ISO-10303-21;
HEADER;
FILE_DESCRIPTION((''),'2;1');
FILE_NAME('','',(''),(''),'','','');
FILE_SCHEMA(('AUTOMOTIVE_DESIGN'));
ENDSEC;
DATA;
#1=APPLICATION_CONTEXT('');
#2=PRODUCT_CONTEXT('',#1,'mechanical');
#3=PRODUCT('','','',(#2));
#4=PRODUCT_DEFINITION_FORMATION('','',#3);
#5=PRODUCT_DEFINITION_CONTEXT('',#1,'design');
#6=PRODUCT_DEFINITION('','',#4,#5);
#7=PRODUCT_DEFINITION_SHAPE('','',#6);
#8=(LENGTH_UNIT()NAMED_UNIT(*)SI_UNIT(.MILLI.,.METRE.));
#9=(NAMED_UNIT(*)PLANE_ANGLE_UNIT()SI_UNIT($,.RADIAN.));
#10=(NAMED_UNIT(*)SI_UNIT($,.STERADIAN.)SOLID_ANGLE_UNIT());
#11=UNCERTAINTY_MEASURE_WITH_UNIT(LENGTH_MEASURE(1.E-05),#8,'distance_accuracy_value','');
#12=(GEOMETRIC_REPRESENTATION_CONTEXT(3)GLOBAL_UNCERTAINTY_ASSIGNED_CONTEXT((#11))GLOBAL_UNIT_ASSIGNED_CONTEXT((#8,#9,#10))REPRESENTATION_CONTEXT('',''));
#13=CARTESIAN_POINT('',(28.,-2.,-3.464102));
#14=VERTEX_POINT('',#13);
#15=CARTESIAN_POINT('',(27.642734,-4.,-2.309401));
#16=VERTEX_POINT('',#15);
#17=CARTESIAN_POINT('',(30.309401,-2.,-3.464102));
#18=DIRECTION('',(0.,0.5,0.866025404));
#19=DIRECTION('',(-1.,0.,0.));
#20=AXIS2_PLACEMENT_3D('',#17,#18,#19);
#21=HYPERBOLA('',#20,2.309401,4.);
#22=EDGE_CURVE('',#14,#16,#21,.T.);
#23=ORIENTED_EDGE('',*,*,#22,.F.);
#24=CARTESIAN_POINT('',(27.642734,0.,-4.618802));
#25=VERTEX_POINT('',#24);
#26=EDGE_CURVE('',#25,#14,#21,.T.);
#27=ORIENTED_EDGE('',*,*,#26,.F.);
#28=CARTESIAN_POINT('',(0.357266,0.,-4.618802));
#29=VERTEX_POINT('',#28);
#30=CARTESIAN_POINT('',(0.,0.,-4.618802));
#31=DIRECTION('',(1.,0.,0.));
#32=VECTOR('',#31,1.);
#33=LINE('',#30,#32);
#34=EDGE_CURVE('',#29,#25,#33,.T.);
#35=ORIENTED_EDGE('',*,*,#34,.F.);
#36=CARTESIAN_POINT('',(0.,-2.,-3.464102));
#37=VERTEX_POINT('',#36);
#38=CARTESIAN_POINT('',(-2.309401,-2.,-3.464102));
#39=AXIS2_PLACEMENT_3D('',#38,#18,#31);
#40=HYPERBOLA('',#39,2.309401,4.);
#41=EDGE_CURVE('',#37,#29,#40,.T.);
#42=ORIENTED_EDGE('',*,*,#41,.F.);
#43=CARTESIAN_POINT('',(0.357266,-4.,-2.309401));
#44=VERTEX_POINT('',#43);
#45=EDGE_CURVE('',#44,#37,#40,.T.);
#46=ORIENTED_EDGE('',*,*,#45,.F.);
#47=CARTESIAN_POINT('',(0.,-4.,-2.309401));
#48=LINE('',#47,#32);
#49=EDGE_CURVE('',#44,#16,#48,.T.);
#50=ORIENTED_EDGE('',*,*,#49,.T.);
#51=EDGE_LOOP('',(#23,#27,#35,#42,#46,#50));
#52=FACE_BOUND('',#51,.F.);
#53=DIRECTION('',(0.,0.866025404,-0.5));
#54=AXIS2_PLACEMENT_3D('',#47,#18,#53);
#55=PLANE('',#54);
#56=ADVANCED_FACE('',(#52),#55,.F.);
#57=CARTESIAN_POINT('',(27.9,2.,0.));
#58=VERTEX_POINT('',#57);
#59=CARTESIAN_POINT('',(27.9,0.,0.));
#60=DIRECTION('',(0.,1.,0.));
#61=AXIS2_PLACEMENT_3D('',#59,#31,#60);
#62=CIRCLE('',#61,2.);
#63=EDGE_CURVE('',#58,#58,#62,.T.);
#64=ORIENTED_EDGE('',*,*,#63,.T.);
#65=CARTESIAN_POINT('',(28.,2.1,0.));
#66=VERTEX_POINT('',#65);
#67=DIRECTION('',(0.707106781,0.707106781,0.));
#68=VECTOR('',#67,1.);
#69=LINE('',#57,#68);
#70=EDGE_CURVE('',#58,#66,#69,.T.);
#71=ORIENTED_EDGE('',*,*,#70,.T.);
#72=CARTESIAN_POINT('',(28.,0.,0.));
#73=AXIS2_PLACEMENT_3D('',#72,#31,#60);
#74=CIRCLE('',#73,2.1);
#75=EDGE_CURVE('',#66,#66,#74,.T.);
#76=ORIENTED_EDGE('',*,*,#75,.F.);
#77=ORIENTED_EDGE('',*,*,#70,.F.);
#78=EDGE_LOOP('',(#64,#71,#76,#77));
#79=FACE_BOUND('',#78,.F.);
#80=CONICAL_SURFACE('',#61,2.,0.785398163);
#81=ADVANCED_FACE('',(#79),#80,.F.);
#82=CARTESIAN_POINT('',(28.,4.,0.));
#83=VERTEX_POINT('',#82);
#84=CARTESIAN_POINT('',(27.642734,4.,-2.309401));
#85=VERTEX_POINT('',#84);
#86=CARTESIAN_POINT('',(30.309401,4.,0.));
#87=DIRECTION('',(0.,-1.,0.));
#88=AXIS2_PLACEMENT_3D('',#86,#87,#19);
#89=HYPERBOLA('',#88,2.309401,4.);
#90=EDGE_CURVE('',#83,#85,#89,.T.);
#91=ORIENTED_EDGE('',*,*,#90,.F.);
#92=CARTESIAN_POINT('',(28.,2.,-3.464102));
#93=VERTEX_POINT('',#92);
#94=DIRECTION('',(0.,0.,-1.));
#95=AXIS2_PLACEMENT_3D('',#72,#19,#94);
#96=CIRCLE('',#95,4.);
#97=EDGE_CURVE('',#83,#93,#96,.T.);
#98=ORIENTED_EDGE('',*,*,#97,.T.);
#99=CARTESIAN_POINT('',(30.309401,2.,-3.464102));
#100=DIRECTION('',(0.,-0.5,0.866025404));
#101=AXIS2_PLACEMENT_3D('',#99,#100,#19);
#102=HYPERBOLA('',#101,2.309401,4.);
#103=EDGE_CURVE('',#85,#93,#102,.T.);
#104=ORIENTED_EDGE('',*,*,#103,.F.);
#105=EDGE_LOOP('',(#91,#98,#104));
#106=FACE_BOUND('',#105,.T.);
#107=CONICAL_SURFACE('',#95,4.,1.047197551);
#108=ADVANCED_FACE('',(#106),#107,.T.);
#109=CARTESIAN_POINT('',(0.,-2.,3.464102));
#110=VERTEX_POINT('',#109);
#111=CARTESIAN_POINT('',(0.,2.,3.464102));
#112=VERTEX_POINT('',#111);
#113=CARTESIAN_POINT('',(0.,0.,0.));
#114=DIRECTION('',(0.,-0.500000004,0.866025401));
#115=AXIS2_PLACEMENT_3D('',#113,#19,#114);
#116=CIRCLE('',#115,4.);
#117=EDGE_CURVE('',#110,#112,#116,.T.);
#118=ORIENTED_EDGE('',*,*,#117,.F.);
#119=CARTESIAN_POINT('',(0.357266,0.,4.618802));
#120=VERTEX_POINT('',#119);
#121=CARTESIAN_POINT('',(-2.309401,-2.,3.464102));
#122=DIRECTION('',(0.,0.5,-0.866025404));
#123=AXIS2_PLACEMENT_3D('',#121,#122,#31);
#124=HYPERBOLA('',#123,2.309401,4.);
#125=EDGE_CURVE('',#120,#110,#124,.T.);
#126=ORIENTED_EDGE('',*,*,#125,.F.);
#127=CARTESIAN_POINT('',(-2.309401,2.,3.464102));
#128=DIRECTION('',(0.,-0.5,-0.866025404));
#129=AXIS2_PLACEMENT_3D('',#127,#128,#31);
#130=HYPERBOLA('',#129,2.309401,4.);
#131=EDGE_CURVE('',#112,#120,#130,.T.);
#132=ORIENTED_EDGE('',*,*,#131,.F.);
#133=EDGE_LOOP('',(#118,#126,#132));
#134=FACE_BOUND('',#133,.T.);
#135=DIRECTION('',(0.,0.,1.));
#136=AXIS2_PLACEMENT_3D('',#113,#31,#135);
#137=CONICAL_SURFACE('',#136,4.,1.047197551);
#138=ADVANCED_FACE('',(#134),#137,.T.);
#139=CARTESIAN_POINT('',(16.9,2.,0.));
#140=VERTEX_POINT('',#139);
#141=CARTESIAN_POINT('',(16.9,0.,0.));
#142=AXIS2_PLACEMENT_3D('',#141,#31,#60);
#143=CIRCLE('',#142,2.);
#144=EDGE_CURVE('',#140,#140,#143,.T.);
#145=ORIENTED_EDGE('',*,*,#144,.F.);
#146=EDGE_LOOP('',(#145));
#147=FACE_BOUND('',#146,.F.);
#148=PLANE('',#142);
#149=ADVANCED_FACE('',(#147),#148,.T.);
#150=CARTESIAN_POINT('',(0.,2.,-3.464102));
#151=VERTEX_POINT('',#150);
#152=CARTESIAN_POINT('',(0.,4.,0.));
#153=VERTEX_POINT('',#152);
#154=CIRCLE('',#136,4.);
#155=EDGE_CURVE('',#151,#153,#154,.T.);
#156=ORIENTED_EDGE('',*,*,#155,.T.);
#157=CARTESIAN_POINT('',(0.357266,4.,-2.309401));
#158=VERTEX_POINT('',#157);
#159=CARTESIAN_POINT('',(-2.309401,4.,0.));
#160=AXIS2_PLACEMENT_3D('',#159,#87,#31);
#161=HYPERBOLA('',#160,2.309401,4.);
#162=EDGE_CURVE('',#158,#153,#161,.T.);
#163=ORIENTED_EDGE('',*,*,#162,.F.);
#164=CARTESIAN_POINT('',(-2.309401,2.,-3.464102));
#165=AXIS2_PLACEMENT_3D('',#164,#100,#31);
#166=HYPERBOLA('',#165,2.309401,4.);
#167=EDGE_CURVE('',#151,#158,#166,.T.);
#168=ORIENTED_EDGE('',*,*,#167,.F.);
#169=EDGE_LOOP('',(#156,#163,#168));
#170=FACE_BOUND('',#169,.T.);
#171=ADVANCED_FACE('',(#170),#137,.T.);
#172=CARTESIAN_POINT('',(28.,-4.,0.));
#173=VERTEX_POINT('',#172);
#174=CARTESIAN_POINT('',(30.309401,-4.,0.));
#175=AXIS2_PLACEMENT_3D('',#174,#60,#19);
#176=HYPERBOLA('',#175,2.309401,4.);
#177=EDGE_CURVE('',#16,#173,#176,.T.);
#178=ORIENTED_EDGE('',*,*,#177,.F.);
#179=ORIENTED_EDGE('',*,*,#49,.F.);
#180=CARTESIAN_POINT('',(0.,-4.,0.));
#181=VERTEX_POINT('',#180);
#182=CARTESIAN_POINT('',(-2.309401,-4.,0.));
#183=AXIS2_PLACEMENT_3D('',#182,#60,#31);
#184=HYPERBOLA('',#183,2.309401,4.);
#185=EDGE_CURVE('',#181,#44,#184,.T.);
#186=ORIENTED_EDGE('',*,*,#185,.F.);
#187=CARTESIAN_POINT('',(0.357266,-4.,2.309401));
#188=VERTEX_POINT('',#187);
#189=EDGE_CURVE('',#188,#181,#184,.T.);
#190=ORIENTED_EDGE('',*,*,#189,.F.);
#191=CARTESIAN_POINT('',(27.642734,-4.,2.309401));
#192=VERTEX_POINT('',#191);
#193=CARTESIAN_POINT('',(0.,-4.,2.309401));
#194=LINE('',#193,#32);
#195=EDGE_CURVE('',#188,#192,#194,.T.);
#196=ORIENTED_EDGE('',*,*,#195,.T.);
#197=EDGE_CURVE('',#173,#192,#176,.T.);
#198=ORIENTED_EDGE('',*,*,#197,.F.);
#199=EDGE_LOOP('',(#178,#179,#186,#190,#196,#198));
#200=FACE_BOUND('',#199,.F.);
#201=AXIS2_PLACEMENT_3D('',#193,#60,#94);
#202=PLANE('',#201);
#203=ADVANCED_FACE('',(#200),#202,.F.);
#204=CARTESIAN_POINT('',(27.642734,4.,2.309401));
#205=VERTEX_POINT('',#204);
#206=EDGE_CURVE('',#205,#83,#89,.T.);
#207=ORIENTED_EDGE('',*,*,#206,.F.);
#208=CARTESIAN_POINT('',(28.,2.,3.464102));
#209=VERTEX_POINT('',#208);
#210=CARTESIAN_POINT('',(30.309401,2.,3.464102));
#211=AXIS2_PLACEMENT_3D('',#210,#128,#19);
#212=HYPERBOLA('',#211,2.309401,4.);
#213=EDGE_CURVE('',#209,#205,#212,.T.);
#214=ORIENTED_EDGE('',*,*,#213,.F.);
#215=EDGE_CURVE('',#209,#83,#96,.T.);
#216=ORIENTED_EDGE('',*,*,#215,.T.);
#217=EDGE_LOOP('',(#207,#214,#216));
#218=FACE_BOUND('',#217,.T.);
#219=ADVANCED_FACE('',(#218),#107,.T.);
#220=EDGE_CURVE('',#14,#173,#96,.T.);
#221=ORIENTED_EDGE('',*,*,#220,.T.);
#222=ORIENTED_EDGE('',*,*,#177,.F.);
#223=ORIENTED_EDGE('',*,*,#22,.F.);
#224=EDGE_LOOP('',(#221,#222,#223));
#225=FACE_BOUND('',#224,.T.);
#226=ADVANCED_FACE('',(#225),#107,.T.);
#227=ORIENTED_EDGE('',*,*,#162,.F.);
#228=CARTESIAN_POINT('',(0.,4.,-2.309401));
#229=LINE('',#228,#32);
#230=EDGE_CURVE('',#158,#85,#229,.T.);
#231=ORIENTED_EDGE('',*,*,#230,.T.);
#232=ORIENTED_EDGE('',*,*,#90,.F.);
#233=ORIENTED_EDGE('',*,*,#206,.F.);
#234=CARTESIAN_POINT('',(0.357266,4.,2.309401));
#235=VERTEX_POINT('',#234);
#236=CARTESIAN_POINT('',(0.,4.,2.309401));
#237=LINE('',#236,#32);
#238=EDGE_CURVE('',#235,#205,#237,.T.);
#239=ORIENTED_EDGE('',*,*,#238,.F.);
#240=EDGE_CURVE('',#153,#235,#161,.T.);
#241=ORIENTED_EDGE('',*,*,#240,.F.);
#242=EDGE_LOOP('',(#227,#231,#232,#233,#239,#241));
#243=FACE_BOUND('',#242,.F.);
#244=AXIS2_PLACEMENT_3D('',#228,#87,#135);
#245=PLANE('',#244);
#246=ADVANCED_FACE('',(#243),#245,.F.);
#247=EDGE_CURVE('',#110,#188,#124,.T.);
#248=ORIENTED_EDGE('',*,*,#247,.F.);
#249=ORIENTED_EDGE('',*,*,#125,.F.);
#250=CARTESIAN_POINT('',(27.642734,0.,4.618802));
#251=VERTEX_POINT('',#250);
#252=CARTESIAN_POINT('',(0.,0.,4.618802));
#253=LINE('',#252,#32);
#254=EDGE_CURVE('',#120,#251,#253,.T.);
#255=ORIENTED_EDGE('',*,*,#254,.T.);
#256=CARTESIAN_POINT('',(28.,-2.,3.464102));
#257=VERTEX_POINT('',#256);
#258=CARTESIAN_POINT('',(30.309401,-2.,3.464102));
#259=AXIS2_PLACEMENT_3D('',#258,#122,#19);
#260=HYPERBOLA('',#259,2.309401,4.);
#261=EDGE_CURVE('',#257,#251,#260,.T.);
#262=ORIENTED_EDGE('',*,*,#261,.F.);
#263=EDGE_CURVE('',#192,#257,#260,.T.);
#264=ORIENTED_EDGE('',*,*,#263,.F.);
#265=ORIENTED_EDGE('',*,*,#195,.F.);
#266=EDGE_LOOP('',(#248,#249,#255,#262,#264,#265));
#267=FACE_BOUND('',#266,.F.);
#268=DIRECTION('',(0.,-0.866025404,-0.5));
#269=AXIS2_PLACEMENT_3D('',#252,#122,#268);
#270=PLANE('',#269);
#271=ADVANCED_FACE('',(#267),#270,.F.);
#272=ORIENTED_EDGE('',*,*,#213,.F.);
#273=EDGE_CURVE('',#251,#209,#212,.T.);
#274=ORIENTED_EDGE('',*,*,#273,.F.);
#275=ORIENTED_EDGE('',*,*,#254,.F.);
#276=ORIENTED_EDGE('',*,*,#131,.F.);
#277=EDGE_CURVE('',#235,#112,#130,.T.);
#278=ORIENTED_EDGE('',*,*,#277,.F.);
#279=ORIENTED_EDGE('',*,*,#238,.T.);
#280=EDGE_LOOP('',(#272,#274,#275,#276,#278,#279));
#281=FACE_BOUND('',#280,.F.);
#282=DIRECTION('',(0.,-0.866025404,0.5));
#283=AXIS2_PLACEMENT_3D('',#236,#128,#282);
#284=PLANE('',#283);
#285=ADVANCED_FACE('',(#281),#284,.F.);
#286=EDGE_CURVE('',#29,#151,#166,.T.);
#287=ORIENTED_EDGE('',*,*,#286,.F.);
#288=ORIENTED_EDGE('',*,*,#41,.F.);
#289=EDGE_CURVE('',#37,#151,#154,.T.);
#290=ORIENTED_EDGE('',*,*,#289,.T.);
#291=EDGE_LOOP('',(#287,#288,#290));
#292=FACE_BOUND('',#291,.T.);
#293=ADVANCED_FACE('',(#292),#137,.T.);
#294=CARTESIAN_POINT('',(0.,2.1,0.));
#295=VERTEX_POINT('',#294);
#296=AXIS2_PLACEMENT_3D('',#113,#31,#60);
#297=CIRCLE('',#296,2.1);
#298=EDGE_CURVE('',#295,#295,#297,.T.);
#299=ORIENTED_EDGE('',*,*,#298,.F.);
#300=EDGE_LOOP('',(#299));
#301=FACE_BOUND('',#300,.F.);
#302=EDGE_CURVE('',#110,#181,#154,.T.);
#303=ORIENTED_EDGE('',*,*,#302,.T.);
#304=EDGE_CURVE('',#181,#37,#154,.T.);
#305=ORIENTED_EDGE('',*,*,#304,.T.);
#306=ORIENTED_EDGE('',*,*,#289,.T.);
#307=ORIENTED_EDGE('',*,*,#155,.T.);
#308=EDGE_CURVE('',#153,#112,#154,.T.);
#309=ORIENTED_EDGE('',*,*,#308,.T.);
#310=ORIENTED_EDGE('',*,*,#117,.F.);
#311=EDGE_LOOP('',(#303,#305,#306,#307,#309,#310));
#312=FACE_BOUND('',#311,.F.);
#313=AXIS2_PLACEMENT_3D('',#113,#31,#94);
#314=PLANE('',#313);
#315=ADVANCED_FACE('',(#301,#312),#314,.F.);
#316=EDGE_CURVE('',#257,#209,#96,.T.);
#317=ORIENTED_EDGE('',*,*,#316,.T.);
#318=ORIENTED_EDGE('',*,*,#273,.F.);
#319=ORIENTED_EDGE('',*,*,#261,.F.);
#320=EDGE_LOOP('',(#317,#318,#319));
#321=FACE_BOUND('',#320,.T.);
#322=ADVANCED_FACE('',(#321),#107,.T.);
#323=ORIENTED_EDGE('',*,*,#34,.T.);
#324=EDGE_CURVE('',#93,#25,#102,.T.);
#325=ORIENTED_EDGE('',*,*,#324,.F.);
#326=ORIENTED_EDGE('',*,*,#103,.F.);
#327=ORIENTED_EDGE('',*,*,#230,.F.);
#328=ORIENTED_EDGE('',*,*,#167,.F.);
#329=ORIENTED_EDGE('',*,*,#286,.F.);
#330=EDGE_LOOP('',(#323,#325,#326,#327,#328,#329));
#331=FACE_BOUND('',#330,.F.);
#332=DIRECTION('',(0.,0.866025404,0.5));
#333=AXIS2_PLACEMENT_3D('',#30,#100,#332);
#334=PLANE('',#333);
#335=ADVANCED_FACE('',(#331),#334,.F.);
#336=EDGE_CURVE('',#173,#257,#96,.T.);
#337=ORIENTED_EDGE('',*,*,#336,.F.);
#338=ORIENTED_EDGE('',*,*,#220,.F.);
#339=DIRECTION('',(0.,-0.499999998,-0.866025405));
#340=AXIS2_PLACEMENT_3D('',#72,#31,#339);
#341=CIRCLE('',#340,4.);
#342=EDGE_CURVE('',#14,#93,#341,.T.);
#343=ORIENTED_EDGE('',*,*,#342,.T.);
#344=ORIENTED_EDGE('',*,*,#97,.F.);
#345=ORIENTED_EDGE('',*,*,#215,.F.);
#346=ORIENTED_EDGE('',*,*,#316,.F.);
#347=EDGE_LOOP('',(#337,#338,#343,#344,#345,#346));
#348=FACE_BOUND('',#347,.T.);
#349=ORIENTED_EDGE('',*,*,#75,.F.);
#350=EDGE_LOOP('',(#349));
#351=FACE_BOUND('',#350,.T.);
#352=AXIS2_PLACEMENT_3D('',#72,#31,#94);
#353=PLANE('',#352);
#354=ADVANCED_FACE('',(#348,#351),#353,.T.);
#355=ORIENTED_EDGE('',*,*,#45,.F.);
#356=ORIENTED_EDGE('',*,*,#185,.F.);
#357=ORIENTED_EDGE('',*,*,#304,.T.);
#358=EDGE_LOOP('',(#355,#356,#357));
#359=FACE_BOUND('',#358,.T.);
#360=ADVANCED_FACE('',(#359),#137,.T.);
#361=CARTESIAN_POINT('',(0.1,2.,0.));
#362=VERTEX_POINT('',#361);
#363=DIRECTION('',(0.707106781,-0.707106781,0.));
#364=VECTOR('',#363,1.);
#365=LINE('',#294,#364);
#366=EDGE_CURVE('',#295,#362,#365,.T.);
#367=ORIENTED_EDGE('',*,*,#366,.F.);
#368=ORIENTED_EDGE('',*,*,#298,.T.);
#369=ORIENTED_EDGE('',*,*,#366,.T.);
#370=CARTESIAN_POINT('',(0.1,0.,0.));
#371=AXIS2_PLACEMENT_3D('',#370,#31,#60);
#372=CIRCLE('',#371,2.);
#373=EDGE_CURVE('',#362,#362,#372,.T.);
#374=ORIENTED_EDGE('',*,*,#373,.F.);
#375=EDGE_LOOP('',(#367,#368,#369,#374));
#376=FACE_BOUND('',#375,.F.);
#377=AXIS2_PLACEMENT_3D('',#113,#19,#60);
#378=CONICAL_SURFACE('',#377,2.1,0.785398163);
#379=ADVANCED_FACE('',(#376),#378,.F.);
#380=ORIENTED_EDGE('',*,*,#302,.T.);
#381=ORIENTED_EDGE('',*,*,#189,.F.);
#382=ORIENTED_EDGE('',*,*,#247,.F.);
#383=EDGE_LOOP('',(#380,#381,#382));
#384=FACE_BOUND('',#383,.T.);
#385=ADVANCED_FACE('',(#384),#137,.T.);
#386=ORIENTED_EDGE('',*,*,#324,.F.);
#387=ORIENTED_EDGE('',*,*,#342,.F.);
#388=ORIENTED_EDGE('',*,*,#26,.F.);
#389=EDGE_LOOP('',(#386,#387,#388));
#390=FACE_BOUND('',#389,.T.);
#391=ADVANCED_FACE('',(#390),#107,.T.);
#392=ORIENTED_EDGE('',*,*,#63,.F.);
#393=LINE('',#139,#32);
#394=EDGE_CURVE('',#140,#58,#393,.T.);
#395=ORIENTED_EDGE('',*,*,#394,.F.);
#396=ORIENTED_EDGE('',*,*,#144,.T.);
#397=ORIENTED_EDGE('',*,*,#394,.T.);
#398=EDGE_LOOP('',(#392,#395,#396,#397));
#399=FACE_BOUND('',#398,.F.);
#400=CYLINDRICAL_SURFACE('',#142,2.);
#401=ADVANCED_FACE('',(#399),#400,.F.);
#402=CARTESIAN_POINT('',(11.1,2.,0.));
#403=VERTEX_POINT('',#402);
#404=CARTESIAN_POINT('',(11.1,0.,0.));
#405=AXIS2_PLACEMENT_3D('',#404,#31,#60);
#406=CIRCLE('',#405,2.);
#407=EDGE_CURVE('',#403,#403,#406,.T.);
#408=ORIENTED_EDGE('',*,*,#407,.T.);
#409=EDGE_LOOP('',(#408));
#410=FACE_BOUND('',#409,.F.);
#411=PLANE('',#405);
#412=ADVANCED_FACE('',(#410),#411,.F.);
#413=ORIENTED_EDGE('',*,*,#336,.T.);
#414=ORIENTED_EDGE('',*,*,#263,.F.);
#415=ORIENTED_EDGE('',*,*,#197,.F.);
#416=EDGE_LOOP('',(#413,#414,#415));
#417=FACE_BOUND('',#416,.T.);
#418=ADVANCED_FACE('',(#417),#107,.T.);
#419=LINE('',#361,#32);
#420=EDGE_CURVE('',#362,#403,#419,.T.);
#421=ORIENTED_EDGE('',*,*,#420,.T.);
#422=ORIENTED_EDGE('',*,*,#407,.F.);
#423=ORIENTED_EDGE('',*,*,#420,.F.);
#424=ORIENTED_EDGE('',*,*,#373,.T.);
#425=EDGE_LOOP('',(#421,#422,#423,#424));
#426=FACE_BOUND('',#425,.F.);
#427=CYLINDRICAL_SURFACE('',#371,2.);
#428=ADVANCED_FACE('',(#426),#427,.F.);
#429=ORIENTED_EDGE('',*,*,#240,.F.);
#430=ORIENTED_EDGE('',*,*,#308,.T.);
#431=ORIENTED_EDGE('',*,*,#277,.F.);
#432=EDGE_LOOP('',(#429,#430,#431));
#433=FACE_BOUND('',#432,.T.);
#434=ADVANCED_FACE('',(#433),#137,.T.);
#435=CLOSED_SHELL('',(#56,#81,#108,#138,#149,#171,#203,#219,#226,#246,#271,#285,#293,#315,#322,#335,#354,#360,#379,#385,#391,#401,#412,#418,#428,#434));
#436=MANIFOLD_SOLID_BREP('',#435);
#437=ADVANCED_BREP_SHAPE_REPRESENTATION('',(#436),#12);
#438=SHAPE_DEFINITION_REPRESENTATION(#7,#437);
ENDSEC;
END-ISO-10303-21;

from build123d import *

# Parameters (mm, degrees)
BOSS_EXTRUDE1_DEPTH = 28
SKETCH4_OUTSIDE_W   = 117.808
SKETCH4_OUTSIDE_H   = 116.57
SKETCH4_OUTSIDE_R   = 4
CUT_EXTRUDE1_DEPTH  = 29
CUT_EXTRUDE1_TAPER  = 60
SKETCH5_OUTSIDE_W   = 117.808
SKETCH5_OUTSIDE_H   = 116.57
SKETCH5_OUTSIDE_R   = 4
CUT_EXTRUDE2_DEPTH  = 29
CUT_EXTRUDE2_TAPER  = 60


with BuildPart() as part:
    # Sketch2 → Boss-Extrude1 (new body)
    with BuildSketch(Plane(origin=(0, 0, 0), x_dir=(0, 0, -1), z_dir=(1, 0, 0))):
        Polygon((2.309401077, 4), (-2.309401077, 4), (-4.618802154, 0), (-2.309401077, -4), (2.309401077, -4), (4.618802154, 0), align=None)
    extrude(amount=BOSS_EXTRUDE1_DEPTH)

    # Sketch3 → Cut-Revolve1 (revolve, cut)
    with BuildSketch(Plane.XY):
        Polygon((0, 2.1), (0.1, 2), (11.1, 2), (11.1, 0), (0, 0), align=None)
        Polygon((28, 0), (16.9, 0), (16.9, 2), (27.9, 2), (28, 2.1), align=None)
    revolve(axis=Axis((0, 0, 0), (1, 0, 0)), mode=Mode.SUBTRACT)

    # Sketch4 outside → Cut-Extrude1 (cut, through all)
    with BuildSketch(Plane.ZY):
        Rectangle(SKETCH4_OUTSIDE_W, SKETCH4_OUTSIDE_H)
        Circle(SKETCH4_OUTSIDE_R, mode=Mode.SUBTRACT)
    extrude(amount=-CUT_EXTRUDE1_DEPTH, taper=CUT_EXTRUDE1_TAPER, mode=Mode.SUBTRACT)

    # Sketch5 outside → Cut-Extrude2 (cut, through all)
    with BuildSketch(Plane(origin=(28, 0, 0), x_dir=(0, 0, -1), z_dir=(1, 0, 0))):
        Rectangle(SKETCH5_OUTSIDE_W, SKETCH5_OUTSIDE_H)
        Circle(SKETCH5_OUTSIDE_R, mode=Mode.SUBTRACT)
    extrude(amount=-CUT_EXTRUDE2_DEPTH, taper=CUT_EXTRUDE2_TAPER, mode=Mode.SUBTRACT)


solid = part.part
